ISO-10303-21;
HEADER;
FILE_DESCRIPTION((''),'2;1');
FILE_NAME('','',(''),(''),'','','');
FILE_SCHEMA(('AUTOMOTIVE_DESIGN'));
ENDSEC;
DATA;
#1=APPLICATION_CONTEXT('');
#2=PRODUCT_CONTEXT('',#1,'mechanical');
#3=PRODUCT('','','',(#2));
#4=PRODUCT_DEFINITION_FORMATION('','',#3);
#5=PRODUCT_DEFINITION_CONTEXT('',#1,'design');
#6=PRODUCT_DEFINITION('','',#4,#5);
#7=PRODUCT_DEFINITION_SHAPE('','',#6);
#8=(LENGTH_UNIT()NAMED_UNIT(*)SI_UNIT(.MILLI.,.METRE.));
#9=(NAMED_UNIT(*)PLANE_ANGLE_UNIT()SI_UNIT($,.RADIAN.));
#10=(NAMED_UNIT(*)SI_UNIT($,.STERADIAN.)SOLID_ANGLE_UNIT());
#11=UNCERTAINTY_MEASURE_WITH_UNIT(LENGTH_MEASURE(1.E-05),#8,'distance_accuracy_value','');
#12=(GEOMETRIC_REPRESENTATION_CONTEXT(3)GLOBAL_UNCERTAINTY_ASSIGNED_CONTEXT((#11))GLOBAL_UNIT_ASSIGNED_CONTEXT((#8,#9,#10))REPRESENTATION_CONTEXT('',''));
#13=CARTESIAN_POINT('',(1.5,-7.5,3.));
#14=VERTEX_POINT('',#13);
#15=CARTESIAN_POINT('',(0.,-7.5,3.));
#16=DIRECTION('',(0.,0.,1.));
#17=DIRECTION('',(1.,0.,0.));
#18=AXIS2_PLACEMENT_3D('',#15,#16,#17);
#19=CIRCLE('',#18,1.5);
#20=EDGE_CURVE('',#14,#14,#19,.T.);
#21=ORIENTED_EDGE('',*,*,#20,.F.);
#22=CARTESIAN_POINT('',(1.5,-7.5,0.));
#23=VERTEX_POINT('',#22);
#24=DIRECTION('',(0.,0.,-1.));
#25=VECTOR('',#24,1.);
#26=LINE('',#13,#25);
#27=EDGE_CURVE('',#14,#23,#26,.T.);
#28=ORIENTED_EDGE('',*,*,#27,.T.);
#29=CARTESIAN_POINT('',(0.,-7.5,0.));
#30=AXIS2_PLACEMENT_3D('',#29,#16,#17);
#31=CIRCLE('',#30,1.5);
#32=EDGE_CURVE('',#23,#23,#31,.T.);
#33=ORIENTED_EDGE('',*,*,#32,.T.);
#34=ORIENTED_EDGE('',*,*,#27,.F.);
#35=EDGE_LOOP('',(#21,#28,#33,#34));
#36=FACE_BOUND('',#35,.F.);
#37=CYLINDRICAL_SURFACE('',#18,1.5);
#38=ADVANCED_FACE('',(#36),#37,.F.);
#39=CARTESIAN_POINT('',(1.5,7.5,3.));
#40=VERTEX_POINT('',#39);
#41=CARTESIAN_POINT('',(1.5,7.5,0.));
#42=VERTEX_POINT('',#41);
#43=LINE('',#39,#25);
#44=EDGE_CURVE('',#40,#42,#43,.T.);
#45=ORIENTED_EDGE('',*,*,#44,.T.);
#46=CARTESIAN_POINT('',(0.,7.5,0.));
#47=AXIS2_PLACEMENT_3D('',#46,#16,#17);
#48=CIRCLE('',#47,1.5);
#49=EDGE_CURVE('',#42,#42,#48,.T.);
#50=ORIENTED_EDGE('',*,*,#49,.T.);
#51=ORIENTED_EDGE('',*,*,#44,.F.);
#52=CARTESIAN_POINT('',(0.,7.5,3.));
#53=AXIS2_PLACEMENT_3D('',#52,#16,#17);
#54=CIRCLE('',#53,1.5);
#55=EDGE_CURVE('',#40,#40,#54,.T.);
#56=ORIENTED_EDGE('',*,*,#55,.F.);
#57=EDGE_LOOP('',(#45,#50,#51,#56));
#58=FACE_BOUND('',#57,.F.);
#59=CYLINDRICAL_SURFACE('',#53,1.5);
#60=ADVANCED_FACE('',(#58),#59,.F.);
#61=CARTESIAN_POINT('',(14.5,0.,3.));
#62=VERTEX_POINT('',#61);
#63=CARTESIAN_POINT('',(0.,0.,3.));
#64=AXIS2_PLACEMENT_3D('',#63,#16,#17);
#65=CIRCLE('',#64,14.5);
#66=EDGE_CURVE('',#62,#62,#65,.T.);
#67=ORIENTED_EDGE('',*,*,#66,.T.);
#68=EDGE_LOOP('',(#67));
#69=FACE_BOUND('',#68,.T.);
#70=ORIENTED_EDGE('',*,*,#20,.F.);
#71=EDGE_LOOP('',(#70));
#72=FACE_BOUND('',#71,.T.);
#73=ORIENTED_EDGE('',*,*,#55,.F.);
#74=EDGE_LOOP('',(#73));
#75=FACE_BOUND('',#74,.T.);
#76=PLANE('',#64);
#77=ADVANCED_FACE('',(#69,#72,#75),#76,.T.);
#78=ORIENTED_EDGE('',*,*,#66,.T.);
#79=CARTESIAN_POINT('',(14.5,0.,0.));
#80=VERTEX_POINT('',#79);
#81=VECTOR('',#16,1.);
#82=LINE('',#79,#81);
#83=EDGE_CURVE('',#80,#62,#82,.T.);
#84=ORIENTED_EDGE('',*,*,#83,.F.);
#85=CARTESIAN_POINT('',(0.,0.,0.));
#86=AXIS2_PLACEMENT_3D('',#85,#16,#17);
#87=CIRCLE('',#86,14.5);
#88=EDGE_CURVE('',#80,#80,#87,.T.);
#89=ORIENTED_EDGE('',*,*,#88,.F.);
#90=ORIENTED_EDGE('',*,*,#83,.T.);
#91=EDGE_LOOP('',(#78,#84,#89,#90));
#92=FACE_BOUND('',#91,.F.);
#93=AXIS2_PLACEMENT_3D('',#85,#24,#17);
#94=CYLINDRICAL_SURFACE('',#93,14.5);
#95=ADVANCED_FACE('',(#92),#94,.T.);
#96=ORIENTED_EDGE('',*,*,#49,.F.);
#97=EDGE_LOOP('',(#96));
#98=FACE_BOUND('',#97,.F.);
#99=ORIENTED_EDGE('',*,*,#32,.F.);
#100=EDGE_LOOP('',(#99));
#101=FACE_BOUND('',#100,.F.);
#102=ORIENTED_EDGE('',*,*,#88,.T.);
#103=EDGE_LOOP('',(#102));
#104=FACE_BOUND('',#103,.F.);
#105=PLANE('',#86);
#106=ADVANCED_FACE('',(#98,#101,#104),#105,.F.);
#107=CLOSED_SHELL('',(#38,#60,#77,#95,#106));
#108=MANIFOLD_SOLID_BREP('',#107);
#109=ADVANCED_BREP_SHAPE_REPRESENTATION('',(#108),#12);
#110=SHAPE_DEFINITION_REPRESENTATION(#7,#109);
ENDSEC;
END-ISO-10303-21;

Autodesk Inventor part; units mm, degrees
ref_plane "YZ Plane" through (0, 0, 0) normal (1, 0, 0) x (0, 1, 0)
ref_plane "XZ Plane" through (0, 0, 0) normal (0, 1, 0) x (-1, 0, 0)
ref_plane "XY Plane" through (0, 0, 0) normal (0, 0, 1) x (1, 0, 0)
sketch "Sketch1" plane through (0, 0, 0) normal (0, 0, 1) x (1, 0, 0)
  circle A0 centre (0, 0) radius 14.5
  dimension "d0" = 29
extrude "Extrusion1" add sketch "Sketch1" along normal blind 3
sketch "Sketch2" plane through (0, 0, 3) normal (0, 0, 1) x (1, 0, 0)
  circle A0 centre (0, 0) radius 14.5 projected
  circle A1 centre (0, 7.5) radius 1.5
  circle A2 centre (0, -7.5) radius 1.5
  dimension "d31" = 3
  dimension "d33" = 3
  dimension "d34" = 15
  dimension "d35" = 7.5
extrude "Extrusion4" cut sketch "Sketch2" against normal blind 10 contours A1 | A2
properties part number "Inner Endcap080513" material "Polycarbonate, Clear"
